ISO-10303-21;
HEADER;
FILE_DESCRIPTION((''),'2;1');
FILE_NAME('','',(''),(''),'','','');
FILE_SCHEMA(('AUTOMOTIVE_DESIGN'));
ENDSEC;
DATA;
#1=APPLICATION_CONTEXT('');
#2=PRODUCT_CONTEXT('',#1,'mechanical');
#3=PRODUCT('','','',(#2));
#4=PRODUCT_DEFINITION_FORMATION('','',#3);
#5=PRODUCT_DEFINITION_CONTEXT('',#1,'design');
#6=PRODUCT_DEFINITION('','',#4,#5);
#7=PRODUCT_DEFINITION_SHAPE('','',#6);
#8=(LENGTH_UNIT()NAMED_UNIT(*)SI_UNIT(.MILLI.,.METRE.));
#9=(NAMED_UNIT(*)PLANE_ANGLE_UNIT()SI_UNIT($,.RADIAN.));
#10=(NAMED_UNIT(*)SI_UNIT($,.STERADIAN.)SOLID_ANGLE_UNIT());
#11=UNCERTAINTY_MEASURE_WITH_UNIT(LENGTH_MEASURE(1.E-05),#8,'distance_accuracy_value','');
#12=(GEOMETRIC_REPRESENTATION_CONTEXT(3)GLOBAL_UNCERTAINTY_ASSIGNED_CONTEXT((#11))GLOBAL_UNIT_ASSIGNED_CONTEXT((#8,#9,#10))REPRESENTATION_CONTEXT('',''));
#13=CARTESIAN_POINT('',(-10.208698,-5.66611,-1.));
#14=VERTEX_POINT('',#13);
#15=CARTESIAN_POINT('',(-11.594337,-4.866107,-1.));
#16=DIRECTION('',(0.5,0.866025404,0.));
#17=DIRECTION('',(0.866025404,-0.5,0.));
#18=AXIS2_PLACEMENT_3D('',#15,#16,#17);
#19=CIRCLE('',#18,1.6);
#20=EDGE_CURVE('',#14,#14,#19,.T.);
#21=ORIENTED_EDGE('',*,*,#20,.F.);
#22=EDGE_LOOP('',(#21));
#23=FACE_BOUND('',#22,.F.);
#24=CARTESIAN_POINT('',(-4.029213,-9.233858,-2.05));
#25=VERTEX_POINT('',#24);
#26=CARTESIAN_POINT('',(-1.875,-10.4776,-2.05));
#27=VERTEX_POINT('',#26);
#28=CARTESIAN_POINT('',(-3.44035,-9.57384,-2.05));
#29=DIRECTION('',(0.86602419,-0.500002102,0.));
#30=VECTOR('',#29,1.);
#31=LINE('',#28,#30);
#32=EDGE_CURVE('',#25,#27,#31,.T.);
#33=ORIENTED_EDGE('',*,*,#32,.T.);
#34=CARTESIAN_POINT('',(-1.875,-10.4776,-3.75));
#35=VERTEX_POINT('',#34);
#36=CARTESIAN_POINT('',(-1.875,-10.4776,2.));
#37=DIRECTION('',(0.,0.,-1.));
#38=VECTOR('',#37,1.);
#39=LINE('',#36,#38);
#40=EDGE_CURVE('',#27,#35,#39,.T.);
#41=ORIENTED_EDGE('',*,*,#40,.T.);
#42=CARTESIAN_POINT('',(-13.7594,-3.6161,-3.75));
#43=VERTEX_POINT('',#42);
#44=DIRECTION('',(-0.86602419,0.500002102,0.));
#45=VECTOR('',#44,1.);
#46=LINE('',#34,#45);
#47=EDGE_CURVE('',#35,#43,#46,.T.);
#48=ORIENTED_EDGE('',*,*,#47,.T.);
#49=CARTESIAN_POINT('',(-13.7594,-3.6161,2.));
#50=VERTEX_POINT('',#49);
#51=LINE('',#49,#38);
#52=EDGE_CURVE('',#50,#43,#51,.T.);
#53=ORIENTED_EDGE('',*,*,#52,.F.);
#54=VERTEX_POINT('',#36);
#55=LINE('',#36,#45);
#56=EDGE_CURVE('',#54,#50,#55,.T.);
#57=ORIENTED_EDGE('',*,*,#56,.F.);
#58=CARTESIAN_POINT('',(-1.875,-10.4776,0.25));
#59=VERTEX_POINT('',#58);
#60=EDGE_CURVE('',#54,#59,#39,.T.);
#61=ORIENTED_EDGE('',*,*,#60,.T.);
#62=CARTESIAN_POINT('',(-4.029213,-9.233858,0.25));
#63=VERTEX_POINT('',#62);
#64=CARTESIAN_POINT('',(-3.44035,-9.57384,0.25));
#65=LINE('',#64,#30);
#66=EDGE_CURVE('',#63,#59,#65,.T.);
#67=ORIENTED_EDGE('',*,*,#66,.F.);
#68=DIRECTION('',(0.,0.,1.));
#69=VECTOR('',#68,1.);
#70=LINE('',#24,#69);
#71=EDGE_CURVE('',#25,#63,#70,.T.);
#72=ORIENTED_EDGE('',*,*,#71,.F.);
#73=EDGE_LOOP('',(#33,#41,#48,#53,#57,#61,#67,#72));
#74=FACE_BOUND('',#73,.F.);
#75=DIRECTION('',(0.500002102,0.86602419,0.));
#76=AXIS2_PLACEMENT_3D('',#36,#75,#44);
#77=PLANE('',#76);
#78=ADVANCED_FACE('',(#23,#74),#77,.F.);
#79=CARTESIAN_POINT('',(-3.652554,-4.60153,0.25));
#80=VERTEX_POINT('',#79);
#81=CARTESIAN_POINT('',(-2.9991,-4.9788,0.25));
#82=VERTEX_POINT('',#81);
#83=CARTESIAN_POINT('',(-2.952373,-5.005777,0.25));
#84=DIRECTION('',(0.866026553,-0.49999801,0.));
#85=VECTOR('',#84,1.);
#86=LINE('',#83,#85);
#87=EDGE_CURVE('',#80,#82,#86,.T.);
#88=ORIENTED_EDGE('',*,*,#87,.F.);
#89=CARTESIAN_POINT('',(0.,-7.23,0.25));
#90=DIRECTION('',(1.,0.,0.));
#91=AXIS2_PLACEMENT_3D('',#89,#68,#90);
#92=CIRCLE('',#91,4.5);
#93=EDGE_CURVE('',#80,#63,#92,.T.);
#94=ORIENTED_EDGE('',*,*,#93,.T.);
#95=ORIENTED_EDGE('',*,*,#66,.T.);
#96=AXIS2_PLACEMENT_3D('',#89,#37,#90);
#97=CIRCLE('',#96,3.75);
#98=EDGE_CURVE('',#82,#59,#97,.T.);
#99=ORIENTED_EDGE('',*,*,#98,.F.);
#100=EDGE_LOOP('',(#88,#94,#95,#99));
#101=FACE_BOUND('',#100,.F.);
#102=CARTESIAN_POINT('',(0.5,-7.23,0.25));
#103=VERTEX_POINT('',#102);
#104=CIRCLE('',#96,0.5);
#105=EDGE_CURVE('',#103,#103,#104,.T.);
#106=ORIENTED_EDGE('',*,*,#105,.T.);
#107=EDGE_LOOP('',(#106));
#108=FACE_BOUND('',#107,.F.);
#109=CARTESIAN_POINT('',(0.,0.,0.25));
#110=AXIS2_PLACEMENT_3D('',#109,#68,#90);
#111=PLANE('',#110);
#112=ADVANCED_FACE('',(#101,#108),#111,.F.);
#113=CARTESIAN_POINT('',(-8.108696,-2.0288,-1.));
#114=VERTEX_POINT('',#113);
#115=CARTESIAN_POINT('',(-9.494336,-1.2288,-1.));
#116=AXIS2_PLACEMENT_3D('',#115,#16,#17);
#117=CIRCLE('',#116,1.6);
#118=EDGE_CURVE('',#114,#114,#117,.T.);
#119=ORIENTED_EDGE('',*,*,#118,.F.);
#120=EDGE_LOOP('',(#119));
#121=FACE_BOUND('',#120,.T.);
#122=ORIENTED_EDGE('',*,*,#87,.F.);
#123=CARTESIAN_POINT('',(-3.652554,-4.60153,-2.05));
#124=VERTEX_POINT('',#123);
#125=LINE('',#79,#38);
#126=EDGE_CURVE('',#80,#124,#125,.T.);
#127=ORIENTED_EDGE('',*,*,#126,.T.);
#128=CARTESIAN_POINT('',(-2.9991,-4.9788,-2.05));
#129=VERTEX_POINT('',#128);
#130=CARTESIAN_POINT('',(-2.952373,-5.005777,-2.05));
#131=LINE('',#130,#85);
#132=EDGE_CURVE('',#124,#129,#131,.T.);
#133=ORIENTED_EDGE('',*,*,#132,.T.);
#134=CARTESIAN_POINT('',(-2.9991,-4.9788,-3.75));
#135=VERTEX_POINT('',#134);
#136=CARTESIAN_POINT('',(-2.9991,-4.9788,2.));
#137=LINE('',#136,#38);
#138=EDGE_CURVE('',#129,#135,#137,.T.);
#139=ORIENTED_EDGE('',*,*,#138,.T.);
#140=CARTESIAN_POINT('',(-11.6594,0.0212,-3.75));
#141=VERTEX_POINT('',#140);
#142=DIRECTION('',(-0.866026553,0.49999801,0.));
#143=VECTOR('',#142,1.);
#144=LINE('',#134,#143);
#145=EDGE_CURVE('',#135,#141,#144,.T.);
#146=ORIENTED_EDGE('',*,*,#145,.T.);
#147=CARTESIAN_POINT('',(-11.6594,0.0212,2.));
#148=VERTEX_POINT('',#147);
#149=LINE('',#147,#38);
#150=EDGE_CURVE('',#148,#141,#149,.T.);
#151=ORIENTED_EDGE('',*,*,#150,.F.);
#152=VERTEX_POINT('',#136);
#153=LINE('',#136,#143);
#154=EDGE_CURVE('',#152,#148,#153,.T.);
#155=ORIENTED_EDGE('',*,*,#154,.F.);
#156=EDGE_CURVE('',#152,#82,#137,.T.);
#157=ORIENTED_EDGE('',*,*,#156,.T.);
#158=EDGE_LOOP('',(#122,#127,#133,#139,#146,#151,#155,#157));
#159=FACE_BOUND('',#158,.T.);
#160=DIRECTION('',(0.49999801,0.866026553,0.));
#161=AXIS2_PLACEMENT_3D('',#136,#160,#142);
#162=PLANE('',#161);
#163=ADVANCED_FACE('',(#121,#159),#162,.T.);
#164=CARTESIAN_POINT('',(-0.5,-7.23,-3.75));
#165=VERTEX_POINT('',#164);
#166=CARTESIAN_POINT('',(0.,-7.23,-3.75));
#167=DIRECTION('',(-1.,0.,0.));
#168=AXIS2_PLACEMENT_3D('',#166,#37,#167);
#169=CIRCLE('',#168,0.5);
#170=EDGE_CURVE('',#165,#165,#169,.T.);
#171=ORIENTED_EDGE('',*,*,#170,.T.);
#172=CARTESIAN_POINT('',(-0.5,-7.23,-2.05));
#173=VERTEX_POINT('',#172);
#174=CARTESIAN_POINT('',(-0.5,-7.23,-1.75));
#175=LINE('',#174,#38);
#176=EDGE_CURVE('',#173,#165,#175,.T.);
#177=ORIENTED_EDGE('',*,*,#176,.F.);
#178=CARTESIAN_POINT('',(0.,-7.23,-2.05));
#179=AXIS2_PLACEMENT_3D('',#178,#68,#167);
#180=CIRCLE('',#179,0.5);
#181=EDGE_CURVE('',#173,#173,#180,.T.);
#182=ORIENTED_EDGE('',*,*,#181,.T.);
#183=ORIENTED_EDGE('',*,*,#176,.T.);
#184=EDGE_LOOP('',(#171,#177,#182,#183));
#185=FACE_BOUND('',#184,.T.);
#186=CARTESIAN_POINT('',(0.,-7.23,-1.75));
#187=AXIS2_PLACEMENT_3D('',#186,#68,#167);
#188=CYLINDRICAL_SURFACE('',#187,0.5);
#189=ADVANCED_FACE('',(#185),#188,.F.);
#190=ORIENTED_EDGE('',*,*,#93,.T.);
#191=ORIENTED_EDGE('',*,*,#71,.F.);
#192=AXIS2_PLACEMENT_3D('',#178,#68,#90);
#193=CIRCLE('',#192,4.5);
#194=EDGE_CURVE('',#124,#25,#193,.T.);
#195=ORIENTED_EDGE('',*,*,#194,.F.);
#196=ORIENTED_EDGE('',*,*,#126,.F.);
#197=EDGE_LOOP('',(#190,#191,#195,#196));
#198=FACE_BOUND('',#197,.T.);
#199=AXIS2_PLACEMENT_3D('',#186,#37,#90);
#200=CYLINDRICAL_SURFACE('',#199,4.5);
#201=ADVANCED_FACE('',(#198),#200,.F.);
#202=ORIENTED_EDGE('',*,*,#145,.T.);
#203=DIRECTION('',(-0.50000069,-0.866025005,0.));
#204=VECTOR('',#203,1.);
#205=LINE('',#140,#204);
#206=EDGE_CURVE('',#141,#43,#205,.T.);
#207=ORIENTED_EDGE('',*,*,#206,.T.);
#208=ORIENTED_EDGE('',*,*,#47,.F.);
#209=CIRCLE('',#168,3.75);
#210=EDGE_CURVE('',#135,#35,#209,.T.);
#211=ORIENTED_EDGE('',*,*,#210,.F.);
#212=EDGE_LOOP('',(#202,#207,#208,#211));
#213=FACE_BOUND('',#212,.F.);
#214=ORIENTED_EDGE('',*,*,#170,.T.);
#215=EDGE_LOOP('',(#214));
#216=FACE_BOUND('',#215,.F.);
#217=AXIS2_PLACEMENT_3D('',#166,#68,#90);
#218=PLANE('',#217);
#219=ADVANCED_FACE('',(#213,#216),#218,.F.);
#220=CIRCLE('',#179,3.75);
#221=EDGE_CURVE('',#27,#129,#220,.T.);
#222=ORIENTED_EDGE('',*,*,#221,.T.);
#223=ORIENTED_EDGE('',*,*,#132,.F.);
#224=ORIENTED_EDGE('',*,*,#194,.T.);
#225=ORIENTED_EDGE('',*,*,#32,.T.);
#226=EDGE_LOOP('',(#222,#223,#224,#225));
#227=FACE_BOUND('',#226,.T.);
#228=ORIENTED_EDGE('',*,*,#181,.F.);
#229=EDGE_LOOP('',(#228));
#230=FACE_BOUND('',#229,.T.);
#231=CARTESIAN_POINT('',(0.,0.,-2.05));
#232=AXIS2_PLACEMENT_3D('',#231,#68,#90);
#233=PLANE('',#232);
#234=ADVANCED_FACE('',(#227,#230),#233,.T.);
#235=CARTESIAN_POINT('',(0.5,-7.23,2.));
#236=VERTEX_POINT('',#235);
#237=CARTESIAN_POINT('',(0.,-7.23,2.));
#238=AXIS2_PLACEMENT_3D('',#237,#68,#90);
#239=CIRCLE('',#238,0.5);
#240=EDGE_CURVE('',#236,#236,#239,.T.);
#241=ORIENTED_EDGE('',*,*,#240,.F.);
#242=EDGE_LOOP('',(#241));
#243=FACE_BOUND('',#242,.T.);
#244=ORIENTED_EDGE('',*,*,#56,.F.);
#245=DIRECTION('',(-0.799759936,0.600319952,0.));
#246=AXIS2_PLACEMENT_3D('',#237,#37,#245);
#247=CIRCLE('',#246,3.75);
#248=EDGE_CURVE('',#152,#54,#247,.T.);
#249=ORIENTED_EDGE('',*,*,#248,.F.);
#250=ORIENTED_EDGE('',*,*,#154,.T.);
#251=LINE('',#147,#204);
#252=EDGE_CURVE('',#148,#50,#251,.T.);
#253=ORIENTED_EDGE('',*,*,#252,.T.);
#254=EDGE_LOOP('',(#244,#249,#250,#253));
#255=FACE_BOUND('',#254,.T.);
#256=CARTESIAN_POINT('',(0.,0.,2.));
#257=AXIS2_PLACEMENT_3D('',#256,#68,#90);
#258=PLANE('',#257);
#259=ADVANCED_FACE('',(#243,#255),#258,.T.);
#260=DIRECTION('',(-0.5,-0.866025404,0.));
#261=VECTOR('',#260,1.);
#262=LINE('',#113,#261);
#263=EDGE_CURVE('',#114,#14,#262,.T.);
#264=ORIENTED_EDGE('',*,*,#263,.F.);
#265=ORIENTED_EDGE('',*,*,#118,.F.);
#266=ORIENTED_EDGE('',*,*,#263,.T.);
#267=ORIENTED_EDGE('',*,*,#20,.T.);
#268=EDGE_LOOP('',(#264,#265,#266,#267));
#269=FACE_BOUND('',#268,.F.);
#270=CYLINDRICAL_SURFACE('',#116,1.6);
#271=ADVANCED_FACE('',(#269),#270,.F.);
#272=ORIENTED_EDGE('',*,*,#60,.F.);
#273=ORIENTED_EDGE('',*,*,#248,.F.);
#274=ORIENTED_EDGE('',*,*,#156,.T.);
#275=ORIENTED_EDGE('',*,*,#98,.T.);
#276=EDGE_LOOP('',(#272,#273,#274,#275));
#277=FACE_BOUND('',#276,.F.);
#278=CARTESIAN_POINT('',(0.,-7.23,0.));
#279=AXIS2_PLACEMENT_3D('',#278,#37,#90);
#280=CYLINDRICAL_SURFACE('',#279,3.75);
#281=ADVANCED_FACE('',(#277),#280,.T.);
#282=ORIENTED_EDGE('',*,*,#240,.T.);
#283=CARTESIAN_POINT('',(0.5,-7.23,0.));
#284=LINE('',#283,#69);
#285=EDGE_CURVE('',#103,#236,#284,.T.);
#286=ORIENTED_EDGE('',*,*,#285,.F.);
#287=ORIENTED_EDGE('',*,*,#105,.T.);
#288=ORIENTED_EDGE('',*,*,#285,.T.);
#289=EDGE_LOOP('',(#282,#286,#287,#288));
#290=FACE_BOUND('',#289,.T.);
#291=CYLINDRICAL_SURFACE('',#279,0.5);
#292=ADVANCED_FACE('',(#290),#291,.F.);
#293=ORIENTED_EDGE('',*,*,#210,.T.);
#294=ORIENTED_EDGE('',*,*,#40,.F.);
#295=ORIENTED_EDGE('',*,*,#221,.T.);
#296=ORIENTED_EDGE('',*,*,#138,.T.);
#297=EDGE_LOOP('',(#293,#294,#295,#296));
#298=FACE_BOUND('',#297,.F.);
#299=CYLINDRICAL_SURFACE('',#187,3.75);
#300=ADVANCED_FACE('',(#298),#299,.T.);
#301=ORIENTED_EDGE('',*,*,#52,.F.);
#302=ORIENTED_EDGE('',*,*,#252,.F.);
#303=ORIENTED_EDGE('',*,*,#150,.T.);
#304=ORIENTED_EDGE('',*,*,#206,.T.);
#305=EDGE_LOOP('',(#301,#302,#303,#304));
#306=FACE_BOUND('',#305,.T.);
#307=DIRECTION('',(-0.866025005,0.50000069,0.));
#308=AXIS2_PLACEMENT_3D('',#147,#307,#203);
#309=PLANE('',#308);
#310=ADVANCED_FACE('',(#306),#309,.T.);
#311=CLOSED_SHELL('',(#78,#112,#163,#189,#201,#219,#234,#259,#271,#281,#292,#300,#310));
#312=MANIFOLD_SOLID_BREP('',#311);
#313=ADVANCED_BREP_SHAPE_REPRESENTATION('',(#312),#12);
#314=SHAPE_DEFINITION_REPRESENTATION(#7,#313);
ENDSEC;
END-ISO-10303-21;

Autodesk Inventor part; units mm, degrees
ref_plane "YZ Plane" through (0, 0, 0) normal (1, 0, 0) x (0, 1, 0)
ref_plane "XZ Plane" through (0, 0, 0) normal (0, 1, 0) x (-1, 0, 0)
ref_plane "XY Plane" through (0, 0, 0) normal (0, 0, 1) x (1, 0, 0)
sketch "Sketch1" plane through (0, 0, 0) normal (0, 0, 1) x (1, 0, 0)
  circle A0 centre (0, -7.23) radius 0.5 projected
  circle A1 centre (0, -7.23) radius 3.75
  point P0 (0, 0)
  dimension "d0" = 7.5
extrude "Extrusion1" add sketch "Sketch1" along normal blind 2
ref_plane "Work Plane1" through (0, 0, -1.75) normal (0, 0, -1) x (-1, 0, 0)
sketch "Sketch2" plane through (0, 0, -1.75) normal (0, 0, -1) x (-1, 0, 0)
  circle A0 centre (0, -7.23) radius 0.5 projected
  circle A1 centre (0, -7.23) radius 3.75 projected
  circle A2 centre (0, -7.23) radius 0.5 projected
  point P0 (0, 0)
extrude "Extrusion2" add sketch "Sketch2" along normal blind 2
sketch "Sketch3" plane through (0, -7.23, 2) normal (0, 0, 1) x (1, 0, 0)
  line L0 (-1.7434, -1.6216) -> (-2.9, 11.6822) construction
  arc A0 (-1.7434, -1.6216) -> (1.7434, -1.6216) centre (0, -1.47) ccw construction
  line L1 (1.7434, -1.6216) -> (2.9, 11.6822) construction
  arc A1 (2.9, 11.6822) -> (-2.9, 11.6822) centre (0, 13.98) ccw construction
  circle A2 centre (0, 13.98) radius 2.7 construction
  circle A3 centre (0, 6.21) radius 0.5 construction
  circle A4 centre (0, 8.28) radius 0.5 construction
  circle A5 centre (0, -2.07) radius 0.5 construction
  circle A6 centre (0, 0) radius 0.5 construction
  circle A7 centre (0, 2.07) radius 0.5 construction
  circle A8 centre (0, 4.14) radius 0.5 construction
  circle A9 centre (0, 0) radius 3.75 projected
  circle A10 centre (0, 0) radius 3.75 projected
  line L2 (-2.9991, 2.2512) -> (-11.6594, 7.2512)
  line L3 (-1.875, -3.2476) -> (-13.7594, 3.6139)
  line L4 (-12.9585, 11.9353) -> (6.9601, 0.4353) projected
  line L5 (-11.6594, 7.2512) -> (-13.7594, 3.6139)
  point P0 (0, 7.23)
  point P1 (-1.875, -3.2476)
  dimension "d5" = 90
  dimension "d6" = 4.2
  dimension "d7" = 10
extrude "Extrusion3" add sketch "Sketch3" against normal up to surface (5.75 mm away) contours A9 L3 L5 L2
sketch "Sketch4" plane through (-11.6594, 0.0212, 2) normal (0.5, 0.866, 0) x (0.866, -0.5, 0)
  line L0 (10, 5.75) -> (0, 5.75) projected
  line L1 (0, 0) -> (0, 5.75) projected
  line L2 (10, 0) -> (0, 0) projected
  line L3 (10, 2) -> (10, 0) projected
  line L4 (10, 2) -> (10, 3.75) projected
  line L5 (10, 5.75) -> (10, 3.75) projected
  circle A0 centre (2.5, 3) radius 1.6
  point P0 (10.1079, 2)
  dimension "d10" = 3.2
  dimension "d11" = 2.5
  dimension "d12" = 3
extrude "Extrusion4" cut sketch "Sketch4" against normal through all contours A0
sketch "Sketch5" plane through (0, 0, -1.75) normal (0, 0, 1) x (1, 0, 0)
  arc A0 (-1.875, -10.4776) -> (-2.9991, -4.9788) centre (0, -7.23) ccw construction
  circle A1 centre (0, -7.23) radius 0.5 construction
  circle A2 centre (0, -7.23) radius 4.5
  point P0 (0, 0)
  dimension "d15" = 9
extrude "Extrusion5" cut sketch "Sketch5" along normal blind 2 and the other way blind 0.3
properties part number "Palanca servo_dedo_1"
